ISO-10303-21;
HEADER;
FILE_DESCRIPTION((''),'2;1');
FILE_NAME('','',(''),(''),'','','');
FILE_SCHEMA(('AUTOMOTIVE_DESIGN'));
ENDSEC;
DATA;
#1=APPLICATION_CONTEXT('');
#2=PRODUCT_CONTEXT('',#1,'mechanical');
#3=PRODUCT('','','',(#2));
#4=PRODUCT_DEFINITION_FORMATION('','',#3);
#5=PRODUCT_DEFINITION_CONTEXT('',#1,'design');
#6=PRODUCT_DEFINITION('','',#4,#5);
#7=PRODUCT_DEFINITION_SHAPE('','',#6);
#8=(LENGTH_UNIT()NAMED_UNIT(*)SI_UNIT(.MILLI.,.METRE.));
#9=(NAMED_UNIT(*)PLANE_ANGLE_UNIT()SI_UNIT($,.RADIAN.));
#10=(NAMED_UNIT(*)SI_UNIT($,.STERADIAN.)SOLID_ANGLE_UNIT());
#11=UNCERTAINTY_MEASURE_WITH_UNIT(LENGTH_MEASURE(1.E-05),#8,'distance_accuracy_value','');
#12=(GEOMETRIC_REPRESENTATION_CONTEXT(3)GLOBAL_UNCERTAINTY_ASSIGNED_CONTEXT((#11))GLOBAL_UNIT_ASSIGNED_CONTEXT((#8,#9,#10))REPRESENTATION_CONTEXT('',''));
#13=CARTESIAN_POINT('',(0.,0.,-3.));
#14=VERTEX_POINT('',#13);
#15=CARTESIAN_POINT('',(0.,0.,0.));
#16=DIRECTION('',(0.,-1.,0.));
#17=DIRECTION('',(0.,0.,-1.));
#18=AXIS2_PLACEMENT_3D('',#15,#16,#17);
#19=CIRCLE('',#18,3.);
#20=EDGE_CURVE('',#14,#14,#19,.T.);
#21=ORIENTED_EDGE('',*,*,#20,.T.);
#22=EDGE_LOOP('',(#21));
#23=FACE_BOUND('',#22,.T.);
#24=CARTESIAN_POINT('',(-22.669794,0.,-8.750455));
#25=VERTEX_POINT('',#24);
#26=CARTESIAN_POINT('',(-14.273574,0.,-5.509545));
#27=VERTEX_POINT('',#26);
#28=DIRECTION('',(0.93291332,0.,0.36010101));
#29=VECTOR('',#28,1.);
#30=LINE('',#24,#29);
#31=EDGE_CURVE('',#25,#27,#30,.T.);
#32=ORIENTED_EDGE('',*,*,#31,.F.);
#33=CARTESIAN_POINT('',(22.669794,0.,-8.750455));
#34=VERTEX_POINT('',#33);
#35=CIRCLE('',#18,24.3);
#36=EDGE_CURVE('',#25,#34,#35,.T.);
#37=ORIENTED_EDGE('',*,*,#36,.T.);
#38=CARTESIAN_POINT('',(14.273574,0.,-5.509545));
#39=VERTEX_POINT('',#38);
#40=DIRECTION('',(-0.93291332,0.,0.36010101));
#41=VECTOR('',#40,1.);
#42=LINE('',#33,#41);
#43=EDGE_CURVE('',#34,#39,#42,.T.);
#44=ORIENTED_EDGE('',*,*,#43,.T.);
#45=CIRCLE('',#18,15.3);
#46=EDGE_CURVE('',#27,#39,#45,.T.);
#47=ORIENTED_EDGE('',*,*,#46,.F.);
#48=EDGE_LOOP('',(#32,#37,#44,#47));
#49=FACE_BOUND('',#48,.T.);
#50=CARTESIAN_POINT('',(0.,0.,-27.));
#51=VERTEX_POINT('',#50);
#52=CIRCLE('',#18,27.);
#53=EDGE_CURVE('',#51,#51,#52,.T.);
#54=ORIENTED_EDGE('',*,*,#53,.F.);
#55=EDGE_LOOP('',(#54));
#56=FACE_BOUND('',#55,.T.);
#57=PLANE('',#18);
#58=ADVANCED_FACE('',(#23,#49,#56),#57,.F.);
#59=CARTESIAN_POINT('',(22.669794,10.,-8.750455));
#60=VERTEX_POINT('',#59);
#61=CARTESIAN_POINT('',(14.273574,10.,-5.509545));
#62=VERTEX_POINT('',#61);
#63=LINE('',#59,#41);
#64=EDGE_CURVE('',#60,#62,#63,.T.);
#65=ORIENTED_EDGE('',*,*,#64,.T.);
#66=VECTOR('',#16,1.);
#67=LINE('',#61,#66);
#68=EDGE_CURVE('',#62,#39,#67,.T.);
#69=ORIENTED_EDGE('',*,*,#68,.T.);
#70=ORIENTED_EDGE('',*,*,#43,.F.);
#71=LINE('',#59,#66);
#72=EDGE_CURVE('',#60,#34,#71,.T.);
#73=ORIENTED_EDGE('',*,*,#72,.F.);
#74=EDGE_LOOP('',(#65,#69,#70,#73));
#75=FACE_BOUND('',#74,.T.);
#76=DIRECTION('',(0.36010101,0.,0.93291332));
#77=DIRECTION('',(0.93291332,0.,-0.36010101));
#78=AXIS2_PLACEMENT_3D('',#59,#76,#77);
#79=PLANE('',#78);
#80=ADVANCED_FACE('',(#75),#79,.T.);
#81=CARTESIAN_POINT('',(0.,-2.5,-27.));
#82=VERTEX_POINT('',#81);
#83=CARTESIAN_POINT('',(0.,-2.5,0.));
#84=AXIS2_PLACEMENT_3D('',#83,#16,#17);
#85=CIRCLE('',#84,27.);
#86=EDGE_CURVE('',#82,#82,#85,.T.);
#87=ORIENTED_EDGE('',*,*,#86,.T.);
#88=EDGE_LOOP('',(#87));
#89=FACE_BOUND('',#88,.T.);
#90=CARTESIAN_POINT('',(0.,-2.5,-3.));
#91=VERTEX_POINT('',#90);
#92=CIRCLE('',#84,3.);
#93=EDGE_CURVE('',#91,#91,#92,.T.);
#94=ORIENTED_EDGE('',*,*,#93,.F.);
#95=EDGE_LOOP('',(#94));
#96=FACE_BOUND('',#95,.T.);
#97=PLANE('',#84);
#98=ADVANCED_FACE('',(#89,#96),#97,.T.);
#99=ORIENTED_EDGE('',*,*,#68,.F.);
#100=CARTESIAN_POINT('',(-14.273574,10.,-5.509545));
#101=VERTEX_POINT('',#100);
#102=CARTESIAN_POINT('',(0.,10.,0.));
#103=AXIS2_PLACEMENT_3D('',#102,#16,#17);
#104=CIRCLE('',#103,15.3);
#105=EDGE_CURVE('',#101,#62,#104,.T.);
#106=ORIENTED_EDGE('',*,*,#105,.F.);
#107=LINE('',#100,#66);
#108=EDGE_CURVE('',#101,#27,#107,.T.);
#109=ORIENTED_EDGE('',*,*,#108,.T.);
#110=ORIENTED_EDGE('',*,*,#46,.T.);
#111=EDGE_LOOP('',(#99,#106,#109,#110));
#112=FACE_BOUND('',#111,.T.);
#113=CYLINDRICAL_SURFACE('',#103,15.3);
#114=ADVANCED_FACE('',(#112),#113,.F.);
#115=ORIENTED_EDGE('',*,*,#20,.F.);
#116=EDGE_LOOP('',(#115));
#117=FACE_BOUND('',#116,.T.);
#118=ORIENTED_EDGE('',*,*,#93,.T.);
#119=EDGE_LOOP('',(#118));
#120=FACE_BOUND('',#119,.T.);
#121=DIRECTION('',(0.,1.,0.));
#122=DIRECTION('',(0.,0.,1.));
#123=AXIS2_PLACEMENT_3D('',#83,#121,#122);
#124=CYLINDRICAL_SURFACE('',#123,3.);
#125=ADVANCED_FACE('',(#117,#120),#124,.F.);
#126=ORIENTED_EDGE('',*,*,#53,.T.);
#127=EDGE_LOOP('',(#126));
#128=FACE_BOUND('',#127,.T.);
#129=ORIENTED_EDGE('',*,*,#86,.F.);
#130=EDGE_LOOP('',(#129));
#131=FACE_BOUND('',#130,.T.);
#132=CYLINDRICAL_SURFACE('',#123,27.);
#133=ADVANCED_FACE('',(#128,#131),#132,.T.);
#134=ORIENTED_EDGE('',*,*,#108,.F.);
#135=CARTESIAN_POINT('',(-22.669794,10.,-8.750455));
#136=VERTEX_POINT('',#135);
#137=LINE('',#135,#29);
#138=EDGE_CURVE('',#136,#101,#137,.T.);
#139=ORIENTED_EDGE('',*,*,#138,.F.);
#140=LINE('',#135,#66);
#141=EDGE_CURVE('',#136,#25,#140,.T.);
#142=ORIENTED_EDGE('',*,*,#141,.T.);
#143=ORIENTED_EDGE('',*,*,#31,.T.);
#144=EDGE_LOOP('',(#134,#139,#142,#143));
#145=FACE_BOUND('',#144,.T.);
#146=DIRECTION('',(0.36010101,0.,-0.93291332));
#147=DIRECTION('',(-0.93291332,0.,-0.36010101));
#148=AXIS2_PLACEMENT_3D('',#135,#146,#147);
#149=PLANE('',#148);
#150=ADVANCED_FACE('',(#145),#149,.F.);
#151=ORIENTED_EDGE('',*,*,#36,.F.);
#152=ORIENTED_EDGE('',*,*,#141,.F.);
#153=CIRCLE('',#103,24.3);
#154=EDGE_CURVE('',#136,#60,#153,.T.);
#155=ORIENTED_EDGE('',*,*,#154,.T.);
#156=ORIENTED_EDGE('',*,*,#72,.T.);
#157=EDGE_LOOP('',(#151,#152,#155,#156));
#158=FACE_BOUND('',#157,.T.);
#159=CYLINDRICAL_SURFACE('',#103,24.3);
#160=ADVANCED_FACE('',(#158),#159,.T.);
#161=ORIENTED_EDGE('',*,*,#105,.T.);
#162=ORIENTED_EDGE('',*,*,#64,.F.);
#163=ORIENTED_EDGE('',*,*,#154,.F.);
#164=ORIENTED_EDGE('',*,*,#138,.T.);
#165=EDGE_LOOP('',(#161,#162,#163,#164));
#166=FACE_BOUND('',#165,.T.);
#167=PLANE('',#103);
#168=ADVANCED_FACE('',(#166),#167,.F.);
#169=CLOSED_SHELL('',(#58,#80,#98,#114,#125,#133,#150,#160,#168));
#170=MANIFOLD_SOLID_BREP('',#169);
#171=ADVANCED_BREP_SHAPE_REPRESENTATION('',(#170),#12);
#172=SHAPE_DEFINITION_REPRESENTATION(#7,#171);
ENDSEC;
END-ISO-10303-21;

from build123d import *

# Parameters (mm, degrees)
BOSS_EXTRUDE1_DEPTH = 10
SKETCH2_R           = 27
SKETCH2_R_2         = 3
BOSS_EXTRUDE2_DEPTH = 2.5


with BuildPart() as part:
    # Sketch1 → Boss-Extrude1 (new body)
    with BuildSketch(Plane(origin=(0, 0, 0), x_dir=(1, 0, 0), z_dir=(0, 1, 0))):
        with BuildLine():
            Line((-22.669793675, 8.750454545), (-14.273573795, 5.509545455))
            ThreePointArc((-14.273573795, 5.509545455), (0, 15.3), (14.273573795, 5.509545455))
            Line((14.273573795, 5.509545455), (22.669793675, 8.750454545))
            ThreePointArc((22.669793675, 8.750454545), (0, 24.3), (-22.669793675, 8.750454545))
        make_face()
    extrude(amount=BOSS_EXTRUDE1_DEPTH)

    # Sketch2 → Boss-Extrude2 (add)
    with BuildSketch(Plane.XZ):
        with Locations(Location((0, 0, 0), (0, 0, 270))):
            Circle(SKETCH2_R)
        with Locations(Location((0, 0, 0), (0, 0, 270))):
            Circle(SKETCH2_R_2, mode=Mode.SUBTRACT)
    extrude(amount=BOSS_EXTRUDE2_DEPTH)


solid = part.part
